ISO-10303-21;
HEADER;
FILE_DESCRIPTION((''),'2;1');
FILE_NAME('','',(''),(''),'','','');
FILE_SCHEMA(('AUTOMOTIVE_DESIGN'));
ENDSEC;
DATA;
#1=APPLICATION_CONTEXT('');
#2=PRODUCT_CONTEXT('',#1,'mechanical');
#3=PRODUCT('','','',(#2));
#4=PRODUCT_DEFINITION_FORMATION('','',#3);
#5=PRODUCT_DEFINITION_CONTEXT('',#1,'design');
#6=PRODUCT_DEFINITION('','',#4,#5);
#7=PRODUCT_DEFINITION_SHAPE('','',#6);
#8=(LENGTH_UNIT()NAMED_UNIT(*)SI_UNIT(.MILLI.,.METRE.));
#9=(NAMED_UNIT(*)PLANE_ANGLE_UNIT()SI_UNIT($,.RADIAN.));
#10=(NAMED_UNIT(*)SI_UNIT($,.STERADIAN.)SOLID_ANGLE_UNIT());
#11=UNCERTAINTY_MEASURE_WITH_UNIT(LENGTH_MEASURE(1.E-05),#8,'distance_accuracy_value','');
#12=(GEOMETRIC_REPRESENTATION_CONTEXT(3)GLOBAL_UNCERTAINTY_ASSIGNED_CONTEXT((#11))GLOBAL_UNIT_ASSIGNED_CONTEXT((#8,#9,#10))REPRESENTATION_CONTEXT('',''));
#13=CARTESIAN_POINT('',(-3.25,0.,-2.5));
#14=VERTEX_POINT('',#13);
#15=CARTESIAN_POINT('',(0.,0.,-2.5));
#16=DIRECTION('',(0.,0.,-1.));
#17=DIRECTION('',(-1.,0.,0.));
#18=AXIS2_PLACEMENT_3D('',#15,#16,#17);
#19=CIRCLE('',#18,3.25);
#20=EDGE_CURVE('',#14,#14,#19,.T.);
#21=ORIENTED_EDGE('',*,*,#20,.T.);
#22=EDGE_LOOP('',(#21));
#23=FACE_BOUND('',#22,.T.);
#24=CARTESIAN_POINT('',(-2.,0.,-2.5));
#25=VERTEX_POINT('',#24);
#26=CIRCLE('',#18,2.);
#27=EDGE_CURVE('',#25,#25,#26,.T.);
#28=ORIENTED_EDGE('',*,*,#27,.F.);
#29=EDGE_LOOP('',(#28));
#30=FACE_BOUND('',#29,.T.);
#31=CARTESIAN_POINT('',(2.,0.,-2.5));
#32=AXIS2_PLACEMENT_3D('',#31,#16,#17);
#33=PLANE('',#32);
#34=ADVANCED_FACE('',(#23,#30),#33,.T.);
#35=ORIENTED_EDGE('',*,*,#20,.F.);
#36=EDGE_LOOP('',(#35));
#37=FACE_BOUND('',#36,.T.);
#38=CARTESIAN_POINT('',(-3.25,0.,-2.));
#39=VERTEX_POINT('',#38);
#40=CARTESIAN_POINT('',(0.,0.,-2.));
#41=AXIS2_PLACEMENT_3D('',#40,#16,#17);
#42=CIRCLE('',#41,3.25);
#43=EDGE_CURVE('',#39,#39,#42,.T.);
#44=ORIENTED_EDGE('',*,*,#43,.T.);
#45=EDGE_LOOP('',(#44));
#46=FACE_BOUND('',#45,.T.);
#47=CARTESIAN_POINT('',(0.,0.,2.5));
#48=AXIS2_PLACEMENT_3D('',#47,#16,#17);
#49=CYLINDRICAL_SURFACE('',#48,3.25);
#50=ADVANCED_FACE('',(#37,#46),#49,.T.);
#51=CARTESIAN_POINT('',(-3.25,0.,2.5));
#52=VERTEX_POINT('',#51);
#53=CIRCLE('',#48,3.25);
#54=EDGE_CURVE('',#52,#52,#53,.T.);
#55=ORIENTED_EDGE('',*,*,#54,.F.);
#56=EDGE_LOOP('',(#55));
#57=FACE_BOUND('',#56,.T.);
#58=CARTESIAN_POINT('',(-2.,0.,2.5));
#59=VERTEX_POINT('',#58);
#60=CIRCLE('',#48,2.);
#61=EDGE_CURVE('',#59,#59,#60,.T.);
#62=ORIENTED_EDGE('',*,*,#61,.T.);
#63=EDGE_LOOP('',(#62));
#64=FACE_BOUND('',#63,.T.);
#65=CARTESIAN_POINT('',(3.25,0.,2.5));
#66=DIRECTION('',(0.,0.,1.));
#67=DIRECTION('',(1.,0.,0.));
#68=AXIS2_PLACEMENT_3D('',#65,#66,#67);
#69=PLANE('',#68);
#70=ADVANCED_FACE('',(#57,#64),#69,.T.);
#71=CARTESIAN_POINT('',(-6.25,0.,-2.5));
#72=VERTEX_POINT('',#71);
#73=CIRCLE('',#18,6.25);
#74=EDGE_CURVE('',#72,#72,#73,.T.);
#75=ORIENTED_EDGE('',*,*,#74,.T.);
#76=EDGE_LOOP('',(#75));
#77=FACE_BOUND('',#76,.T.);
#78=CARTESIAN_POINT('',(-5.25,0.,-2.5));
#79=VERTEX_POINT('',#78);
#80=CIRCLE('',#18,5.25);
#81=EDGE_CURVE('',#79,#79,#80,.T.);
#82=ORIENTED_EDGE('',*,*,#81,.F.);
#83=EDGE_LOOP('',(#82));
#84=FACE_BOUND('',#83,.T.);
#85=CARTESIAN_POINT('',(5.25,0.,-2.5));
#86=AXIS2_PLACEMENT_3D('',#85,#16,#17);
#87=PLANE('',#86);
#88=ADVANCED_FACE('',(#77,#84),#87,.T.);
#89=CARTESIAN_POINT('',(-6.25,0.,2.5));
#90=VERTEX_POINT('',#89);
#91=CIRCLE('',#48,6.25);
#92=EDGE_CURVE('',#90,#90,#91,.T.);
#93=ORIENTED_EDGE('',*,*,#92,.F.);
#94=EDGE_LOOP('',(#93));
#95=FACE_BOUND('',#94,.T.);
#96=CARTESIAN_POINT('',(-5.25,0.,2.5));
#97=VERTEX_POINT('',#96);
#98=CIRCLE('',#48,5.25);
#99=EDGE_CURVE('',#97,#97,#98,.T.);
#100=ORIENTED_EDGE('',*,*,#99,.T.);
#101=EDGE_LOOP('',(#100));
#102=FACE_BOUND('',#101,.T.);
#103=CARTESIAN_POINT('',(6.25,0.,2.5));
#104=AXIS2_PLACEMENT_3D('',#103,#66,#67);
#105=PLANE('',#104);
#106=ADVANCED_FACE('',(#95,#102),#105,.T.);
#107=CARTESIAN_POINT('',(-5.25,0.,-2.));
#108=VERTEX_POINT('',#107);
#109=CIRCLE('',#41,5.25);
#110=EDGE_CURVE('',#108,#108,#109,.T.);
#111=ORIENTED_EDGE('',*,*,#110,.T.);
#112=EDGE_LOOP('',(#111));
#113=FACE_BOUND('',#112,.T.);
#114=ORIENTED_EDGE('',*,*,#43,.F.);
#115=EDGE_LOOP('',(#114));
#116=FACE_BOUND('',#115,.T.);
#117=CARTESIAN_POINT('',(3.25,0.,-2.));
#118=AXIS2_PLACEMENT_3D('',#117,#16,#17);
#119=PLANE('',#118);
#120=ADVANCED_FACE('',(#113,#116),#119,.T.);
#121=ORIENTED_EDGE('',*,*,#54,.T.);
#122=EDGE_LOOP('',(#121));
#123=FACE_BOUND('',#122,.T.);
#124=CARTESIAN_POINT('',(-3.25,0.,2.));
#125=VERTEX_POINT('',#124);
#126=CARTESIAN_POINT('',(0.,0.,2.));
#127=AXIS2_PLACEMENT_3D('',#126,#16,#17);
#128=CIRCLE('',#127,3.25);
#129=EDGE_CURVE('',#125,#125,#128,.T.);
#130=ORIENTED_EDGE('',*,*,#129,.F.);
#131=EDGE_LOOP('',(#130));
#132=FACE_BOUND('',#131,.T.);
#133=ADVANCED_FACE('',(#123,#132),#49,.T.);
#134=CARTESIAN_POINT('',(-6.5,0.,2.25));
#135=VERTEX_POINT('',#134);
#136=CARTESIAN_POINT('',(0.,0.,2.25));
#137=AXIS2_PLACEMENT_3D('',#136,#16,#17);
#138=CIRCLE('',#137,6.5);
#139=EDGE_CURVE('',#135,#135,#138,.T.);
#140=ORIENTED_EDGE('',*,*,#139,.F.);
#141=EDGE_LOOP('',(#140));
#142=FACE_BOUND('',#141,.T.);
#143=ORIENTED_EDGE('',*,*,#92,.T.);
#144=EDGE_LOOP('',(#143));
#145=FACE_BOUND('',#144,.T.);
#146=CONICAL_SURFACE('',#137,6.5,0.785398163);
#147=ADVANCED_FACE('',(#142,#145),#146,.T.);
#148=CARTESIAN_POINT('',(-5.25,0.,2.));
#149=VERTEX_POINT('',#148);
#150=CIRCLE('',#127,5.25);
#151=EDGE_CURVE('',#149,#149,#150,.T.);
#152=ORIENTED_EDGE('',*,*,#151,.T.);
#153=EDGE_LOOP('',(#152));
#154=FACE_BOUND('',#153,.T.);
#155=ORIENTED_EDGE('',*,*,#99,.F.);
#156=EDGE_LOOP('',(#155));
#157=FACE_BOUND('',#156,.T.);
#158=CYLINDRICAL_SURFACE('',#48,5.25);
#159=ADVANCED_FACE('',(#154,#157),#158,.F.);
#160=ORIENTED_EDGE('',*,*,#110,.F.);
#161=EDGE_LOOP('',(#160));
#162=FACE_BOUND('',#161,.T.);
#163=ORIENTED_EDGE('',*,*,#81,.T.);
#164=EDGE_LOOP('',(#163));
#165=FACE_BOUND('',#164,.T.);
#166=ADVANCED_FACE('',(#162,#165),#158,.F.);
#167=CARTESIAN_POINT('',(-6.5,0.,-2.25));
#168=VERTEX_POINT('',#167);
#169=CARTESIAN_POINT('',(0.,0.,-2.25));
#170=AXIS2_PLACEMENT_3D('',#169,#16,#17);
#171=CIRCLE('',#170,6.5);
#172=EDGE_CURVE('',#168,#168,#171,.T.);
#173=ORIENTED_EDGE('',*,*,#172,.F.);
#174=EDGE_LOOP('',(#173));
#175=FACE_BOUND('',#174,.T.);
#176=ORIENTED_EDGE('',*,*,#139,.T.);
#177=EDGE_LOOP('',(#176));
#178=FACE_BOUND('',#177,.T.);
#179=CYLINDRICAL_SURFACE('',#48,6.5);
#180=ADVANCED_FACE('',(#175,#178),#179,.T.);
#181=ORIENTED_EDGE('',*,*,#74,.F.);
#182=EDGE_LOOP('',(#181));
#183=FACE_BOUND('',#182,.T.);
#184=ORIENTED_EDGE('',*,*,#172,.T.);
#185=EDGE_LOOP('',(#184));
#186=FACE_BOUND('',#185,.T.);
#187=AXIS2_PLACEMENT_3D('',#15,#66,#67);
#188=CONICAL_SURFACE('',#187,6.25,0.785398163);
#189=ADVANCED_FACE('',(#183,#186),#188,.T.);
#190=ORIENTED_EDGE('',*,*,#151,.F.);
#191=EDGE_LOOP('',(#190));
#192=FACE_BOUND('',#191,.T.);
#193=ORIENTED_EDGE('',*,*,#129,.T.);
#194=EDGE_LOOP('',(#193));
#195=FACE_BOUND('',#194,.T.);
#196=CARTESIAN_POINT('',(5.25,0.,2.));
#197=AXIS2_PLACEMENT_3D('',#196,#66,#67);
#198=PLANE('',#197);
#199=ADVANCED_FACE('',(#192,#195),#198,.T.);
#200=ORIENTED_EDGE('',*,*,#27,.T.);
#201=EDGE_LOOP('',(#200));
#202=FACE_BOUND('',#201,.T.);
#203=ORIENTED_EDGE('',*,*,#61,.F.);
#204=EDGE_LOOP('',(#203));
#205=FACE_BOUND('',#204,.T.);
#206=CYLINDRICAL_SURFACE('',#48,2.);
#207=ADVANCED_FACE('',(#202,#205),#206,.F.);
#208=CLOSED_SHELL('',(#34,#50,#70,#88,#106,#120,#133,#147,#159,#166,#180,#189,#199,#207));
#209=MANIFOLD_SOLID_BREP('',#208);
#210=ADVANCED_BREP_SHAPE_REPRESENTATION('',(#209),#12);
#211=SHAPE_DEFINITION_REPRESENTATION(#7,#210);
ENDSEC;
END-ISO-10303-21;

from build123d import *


with BuildPart() as part:
    # Sketch1 → Revolve1 (revolve)
    with BuildSketch(Plane.XZ):
        Polygon((6.5, 2.25), (6.25, 2.5), (5.25, 2.5), (5.25, 2), (3.25, 2), (3.25, 2.5), (2, 2.5), (2, -2.5), (3.25, -2.5), (3.25, -2), (5.25, -2), (5.25, -2.5), (6.25, -2.5), (6.5, -2.25), align=None)
    revolve(axis=Axis((0, 0, 2.5), (0, 0, -1)))


solid = part.part
